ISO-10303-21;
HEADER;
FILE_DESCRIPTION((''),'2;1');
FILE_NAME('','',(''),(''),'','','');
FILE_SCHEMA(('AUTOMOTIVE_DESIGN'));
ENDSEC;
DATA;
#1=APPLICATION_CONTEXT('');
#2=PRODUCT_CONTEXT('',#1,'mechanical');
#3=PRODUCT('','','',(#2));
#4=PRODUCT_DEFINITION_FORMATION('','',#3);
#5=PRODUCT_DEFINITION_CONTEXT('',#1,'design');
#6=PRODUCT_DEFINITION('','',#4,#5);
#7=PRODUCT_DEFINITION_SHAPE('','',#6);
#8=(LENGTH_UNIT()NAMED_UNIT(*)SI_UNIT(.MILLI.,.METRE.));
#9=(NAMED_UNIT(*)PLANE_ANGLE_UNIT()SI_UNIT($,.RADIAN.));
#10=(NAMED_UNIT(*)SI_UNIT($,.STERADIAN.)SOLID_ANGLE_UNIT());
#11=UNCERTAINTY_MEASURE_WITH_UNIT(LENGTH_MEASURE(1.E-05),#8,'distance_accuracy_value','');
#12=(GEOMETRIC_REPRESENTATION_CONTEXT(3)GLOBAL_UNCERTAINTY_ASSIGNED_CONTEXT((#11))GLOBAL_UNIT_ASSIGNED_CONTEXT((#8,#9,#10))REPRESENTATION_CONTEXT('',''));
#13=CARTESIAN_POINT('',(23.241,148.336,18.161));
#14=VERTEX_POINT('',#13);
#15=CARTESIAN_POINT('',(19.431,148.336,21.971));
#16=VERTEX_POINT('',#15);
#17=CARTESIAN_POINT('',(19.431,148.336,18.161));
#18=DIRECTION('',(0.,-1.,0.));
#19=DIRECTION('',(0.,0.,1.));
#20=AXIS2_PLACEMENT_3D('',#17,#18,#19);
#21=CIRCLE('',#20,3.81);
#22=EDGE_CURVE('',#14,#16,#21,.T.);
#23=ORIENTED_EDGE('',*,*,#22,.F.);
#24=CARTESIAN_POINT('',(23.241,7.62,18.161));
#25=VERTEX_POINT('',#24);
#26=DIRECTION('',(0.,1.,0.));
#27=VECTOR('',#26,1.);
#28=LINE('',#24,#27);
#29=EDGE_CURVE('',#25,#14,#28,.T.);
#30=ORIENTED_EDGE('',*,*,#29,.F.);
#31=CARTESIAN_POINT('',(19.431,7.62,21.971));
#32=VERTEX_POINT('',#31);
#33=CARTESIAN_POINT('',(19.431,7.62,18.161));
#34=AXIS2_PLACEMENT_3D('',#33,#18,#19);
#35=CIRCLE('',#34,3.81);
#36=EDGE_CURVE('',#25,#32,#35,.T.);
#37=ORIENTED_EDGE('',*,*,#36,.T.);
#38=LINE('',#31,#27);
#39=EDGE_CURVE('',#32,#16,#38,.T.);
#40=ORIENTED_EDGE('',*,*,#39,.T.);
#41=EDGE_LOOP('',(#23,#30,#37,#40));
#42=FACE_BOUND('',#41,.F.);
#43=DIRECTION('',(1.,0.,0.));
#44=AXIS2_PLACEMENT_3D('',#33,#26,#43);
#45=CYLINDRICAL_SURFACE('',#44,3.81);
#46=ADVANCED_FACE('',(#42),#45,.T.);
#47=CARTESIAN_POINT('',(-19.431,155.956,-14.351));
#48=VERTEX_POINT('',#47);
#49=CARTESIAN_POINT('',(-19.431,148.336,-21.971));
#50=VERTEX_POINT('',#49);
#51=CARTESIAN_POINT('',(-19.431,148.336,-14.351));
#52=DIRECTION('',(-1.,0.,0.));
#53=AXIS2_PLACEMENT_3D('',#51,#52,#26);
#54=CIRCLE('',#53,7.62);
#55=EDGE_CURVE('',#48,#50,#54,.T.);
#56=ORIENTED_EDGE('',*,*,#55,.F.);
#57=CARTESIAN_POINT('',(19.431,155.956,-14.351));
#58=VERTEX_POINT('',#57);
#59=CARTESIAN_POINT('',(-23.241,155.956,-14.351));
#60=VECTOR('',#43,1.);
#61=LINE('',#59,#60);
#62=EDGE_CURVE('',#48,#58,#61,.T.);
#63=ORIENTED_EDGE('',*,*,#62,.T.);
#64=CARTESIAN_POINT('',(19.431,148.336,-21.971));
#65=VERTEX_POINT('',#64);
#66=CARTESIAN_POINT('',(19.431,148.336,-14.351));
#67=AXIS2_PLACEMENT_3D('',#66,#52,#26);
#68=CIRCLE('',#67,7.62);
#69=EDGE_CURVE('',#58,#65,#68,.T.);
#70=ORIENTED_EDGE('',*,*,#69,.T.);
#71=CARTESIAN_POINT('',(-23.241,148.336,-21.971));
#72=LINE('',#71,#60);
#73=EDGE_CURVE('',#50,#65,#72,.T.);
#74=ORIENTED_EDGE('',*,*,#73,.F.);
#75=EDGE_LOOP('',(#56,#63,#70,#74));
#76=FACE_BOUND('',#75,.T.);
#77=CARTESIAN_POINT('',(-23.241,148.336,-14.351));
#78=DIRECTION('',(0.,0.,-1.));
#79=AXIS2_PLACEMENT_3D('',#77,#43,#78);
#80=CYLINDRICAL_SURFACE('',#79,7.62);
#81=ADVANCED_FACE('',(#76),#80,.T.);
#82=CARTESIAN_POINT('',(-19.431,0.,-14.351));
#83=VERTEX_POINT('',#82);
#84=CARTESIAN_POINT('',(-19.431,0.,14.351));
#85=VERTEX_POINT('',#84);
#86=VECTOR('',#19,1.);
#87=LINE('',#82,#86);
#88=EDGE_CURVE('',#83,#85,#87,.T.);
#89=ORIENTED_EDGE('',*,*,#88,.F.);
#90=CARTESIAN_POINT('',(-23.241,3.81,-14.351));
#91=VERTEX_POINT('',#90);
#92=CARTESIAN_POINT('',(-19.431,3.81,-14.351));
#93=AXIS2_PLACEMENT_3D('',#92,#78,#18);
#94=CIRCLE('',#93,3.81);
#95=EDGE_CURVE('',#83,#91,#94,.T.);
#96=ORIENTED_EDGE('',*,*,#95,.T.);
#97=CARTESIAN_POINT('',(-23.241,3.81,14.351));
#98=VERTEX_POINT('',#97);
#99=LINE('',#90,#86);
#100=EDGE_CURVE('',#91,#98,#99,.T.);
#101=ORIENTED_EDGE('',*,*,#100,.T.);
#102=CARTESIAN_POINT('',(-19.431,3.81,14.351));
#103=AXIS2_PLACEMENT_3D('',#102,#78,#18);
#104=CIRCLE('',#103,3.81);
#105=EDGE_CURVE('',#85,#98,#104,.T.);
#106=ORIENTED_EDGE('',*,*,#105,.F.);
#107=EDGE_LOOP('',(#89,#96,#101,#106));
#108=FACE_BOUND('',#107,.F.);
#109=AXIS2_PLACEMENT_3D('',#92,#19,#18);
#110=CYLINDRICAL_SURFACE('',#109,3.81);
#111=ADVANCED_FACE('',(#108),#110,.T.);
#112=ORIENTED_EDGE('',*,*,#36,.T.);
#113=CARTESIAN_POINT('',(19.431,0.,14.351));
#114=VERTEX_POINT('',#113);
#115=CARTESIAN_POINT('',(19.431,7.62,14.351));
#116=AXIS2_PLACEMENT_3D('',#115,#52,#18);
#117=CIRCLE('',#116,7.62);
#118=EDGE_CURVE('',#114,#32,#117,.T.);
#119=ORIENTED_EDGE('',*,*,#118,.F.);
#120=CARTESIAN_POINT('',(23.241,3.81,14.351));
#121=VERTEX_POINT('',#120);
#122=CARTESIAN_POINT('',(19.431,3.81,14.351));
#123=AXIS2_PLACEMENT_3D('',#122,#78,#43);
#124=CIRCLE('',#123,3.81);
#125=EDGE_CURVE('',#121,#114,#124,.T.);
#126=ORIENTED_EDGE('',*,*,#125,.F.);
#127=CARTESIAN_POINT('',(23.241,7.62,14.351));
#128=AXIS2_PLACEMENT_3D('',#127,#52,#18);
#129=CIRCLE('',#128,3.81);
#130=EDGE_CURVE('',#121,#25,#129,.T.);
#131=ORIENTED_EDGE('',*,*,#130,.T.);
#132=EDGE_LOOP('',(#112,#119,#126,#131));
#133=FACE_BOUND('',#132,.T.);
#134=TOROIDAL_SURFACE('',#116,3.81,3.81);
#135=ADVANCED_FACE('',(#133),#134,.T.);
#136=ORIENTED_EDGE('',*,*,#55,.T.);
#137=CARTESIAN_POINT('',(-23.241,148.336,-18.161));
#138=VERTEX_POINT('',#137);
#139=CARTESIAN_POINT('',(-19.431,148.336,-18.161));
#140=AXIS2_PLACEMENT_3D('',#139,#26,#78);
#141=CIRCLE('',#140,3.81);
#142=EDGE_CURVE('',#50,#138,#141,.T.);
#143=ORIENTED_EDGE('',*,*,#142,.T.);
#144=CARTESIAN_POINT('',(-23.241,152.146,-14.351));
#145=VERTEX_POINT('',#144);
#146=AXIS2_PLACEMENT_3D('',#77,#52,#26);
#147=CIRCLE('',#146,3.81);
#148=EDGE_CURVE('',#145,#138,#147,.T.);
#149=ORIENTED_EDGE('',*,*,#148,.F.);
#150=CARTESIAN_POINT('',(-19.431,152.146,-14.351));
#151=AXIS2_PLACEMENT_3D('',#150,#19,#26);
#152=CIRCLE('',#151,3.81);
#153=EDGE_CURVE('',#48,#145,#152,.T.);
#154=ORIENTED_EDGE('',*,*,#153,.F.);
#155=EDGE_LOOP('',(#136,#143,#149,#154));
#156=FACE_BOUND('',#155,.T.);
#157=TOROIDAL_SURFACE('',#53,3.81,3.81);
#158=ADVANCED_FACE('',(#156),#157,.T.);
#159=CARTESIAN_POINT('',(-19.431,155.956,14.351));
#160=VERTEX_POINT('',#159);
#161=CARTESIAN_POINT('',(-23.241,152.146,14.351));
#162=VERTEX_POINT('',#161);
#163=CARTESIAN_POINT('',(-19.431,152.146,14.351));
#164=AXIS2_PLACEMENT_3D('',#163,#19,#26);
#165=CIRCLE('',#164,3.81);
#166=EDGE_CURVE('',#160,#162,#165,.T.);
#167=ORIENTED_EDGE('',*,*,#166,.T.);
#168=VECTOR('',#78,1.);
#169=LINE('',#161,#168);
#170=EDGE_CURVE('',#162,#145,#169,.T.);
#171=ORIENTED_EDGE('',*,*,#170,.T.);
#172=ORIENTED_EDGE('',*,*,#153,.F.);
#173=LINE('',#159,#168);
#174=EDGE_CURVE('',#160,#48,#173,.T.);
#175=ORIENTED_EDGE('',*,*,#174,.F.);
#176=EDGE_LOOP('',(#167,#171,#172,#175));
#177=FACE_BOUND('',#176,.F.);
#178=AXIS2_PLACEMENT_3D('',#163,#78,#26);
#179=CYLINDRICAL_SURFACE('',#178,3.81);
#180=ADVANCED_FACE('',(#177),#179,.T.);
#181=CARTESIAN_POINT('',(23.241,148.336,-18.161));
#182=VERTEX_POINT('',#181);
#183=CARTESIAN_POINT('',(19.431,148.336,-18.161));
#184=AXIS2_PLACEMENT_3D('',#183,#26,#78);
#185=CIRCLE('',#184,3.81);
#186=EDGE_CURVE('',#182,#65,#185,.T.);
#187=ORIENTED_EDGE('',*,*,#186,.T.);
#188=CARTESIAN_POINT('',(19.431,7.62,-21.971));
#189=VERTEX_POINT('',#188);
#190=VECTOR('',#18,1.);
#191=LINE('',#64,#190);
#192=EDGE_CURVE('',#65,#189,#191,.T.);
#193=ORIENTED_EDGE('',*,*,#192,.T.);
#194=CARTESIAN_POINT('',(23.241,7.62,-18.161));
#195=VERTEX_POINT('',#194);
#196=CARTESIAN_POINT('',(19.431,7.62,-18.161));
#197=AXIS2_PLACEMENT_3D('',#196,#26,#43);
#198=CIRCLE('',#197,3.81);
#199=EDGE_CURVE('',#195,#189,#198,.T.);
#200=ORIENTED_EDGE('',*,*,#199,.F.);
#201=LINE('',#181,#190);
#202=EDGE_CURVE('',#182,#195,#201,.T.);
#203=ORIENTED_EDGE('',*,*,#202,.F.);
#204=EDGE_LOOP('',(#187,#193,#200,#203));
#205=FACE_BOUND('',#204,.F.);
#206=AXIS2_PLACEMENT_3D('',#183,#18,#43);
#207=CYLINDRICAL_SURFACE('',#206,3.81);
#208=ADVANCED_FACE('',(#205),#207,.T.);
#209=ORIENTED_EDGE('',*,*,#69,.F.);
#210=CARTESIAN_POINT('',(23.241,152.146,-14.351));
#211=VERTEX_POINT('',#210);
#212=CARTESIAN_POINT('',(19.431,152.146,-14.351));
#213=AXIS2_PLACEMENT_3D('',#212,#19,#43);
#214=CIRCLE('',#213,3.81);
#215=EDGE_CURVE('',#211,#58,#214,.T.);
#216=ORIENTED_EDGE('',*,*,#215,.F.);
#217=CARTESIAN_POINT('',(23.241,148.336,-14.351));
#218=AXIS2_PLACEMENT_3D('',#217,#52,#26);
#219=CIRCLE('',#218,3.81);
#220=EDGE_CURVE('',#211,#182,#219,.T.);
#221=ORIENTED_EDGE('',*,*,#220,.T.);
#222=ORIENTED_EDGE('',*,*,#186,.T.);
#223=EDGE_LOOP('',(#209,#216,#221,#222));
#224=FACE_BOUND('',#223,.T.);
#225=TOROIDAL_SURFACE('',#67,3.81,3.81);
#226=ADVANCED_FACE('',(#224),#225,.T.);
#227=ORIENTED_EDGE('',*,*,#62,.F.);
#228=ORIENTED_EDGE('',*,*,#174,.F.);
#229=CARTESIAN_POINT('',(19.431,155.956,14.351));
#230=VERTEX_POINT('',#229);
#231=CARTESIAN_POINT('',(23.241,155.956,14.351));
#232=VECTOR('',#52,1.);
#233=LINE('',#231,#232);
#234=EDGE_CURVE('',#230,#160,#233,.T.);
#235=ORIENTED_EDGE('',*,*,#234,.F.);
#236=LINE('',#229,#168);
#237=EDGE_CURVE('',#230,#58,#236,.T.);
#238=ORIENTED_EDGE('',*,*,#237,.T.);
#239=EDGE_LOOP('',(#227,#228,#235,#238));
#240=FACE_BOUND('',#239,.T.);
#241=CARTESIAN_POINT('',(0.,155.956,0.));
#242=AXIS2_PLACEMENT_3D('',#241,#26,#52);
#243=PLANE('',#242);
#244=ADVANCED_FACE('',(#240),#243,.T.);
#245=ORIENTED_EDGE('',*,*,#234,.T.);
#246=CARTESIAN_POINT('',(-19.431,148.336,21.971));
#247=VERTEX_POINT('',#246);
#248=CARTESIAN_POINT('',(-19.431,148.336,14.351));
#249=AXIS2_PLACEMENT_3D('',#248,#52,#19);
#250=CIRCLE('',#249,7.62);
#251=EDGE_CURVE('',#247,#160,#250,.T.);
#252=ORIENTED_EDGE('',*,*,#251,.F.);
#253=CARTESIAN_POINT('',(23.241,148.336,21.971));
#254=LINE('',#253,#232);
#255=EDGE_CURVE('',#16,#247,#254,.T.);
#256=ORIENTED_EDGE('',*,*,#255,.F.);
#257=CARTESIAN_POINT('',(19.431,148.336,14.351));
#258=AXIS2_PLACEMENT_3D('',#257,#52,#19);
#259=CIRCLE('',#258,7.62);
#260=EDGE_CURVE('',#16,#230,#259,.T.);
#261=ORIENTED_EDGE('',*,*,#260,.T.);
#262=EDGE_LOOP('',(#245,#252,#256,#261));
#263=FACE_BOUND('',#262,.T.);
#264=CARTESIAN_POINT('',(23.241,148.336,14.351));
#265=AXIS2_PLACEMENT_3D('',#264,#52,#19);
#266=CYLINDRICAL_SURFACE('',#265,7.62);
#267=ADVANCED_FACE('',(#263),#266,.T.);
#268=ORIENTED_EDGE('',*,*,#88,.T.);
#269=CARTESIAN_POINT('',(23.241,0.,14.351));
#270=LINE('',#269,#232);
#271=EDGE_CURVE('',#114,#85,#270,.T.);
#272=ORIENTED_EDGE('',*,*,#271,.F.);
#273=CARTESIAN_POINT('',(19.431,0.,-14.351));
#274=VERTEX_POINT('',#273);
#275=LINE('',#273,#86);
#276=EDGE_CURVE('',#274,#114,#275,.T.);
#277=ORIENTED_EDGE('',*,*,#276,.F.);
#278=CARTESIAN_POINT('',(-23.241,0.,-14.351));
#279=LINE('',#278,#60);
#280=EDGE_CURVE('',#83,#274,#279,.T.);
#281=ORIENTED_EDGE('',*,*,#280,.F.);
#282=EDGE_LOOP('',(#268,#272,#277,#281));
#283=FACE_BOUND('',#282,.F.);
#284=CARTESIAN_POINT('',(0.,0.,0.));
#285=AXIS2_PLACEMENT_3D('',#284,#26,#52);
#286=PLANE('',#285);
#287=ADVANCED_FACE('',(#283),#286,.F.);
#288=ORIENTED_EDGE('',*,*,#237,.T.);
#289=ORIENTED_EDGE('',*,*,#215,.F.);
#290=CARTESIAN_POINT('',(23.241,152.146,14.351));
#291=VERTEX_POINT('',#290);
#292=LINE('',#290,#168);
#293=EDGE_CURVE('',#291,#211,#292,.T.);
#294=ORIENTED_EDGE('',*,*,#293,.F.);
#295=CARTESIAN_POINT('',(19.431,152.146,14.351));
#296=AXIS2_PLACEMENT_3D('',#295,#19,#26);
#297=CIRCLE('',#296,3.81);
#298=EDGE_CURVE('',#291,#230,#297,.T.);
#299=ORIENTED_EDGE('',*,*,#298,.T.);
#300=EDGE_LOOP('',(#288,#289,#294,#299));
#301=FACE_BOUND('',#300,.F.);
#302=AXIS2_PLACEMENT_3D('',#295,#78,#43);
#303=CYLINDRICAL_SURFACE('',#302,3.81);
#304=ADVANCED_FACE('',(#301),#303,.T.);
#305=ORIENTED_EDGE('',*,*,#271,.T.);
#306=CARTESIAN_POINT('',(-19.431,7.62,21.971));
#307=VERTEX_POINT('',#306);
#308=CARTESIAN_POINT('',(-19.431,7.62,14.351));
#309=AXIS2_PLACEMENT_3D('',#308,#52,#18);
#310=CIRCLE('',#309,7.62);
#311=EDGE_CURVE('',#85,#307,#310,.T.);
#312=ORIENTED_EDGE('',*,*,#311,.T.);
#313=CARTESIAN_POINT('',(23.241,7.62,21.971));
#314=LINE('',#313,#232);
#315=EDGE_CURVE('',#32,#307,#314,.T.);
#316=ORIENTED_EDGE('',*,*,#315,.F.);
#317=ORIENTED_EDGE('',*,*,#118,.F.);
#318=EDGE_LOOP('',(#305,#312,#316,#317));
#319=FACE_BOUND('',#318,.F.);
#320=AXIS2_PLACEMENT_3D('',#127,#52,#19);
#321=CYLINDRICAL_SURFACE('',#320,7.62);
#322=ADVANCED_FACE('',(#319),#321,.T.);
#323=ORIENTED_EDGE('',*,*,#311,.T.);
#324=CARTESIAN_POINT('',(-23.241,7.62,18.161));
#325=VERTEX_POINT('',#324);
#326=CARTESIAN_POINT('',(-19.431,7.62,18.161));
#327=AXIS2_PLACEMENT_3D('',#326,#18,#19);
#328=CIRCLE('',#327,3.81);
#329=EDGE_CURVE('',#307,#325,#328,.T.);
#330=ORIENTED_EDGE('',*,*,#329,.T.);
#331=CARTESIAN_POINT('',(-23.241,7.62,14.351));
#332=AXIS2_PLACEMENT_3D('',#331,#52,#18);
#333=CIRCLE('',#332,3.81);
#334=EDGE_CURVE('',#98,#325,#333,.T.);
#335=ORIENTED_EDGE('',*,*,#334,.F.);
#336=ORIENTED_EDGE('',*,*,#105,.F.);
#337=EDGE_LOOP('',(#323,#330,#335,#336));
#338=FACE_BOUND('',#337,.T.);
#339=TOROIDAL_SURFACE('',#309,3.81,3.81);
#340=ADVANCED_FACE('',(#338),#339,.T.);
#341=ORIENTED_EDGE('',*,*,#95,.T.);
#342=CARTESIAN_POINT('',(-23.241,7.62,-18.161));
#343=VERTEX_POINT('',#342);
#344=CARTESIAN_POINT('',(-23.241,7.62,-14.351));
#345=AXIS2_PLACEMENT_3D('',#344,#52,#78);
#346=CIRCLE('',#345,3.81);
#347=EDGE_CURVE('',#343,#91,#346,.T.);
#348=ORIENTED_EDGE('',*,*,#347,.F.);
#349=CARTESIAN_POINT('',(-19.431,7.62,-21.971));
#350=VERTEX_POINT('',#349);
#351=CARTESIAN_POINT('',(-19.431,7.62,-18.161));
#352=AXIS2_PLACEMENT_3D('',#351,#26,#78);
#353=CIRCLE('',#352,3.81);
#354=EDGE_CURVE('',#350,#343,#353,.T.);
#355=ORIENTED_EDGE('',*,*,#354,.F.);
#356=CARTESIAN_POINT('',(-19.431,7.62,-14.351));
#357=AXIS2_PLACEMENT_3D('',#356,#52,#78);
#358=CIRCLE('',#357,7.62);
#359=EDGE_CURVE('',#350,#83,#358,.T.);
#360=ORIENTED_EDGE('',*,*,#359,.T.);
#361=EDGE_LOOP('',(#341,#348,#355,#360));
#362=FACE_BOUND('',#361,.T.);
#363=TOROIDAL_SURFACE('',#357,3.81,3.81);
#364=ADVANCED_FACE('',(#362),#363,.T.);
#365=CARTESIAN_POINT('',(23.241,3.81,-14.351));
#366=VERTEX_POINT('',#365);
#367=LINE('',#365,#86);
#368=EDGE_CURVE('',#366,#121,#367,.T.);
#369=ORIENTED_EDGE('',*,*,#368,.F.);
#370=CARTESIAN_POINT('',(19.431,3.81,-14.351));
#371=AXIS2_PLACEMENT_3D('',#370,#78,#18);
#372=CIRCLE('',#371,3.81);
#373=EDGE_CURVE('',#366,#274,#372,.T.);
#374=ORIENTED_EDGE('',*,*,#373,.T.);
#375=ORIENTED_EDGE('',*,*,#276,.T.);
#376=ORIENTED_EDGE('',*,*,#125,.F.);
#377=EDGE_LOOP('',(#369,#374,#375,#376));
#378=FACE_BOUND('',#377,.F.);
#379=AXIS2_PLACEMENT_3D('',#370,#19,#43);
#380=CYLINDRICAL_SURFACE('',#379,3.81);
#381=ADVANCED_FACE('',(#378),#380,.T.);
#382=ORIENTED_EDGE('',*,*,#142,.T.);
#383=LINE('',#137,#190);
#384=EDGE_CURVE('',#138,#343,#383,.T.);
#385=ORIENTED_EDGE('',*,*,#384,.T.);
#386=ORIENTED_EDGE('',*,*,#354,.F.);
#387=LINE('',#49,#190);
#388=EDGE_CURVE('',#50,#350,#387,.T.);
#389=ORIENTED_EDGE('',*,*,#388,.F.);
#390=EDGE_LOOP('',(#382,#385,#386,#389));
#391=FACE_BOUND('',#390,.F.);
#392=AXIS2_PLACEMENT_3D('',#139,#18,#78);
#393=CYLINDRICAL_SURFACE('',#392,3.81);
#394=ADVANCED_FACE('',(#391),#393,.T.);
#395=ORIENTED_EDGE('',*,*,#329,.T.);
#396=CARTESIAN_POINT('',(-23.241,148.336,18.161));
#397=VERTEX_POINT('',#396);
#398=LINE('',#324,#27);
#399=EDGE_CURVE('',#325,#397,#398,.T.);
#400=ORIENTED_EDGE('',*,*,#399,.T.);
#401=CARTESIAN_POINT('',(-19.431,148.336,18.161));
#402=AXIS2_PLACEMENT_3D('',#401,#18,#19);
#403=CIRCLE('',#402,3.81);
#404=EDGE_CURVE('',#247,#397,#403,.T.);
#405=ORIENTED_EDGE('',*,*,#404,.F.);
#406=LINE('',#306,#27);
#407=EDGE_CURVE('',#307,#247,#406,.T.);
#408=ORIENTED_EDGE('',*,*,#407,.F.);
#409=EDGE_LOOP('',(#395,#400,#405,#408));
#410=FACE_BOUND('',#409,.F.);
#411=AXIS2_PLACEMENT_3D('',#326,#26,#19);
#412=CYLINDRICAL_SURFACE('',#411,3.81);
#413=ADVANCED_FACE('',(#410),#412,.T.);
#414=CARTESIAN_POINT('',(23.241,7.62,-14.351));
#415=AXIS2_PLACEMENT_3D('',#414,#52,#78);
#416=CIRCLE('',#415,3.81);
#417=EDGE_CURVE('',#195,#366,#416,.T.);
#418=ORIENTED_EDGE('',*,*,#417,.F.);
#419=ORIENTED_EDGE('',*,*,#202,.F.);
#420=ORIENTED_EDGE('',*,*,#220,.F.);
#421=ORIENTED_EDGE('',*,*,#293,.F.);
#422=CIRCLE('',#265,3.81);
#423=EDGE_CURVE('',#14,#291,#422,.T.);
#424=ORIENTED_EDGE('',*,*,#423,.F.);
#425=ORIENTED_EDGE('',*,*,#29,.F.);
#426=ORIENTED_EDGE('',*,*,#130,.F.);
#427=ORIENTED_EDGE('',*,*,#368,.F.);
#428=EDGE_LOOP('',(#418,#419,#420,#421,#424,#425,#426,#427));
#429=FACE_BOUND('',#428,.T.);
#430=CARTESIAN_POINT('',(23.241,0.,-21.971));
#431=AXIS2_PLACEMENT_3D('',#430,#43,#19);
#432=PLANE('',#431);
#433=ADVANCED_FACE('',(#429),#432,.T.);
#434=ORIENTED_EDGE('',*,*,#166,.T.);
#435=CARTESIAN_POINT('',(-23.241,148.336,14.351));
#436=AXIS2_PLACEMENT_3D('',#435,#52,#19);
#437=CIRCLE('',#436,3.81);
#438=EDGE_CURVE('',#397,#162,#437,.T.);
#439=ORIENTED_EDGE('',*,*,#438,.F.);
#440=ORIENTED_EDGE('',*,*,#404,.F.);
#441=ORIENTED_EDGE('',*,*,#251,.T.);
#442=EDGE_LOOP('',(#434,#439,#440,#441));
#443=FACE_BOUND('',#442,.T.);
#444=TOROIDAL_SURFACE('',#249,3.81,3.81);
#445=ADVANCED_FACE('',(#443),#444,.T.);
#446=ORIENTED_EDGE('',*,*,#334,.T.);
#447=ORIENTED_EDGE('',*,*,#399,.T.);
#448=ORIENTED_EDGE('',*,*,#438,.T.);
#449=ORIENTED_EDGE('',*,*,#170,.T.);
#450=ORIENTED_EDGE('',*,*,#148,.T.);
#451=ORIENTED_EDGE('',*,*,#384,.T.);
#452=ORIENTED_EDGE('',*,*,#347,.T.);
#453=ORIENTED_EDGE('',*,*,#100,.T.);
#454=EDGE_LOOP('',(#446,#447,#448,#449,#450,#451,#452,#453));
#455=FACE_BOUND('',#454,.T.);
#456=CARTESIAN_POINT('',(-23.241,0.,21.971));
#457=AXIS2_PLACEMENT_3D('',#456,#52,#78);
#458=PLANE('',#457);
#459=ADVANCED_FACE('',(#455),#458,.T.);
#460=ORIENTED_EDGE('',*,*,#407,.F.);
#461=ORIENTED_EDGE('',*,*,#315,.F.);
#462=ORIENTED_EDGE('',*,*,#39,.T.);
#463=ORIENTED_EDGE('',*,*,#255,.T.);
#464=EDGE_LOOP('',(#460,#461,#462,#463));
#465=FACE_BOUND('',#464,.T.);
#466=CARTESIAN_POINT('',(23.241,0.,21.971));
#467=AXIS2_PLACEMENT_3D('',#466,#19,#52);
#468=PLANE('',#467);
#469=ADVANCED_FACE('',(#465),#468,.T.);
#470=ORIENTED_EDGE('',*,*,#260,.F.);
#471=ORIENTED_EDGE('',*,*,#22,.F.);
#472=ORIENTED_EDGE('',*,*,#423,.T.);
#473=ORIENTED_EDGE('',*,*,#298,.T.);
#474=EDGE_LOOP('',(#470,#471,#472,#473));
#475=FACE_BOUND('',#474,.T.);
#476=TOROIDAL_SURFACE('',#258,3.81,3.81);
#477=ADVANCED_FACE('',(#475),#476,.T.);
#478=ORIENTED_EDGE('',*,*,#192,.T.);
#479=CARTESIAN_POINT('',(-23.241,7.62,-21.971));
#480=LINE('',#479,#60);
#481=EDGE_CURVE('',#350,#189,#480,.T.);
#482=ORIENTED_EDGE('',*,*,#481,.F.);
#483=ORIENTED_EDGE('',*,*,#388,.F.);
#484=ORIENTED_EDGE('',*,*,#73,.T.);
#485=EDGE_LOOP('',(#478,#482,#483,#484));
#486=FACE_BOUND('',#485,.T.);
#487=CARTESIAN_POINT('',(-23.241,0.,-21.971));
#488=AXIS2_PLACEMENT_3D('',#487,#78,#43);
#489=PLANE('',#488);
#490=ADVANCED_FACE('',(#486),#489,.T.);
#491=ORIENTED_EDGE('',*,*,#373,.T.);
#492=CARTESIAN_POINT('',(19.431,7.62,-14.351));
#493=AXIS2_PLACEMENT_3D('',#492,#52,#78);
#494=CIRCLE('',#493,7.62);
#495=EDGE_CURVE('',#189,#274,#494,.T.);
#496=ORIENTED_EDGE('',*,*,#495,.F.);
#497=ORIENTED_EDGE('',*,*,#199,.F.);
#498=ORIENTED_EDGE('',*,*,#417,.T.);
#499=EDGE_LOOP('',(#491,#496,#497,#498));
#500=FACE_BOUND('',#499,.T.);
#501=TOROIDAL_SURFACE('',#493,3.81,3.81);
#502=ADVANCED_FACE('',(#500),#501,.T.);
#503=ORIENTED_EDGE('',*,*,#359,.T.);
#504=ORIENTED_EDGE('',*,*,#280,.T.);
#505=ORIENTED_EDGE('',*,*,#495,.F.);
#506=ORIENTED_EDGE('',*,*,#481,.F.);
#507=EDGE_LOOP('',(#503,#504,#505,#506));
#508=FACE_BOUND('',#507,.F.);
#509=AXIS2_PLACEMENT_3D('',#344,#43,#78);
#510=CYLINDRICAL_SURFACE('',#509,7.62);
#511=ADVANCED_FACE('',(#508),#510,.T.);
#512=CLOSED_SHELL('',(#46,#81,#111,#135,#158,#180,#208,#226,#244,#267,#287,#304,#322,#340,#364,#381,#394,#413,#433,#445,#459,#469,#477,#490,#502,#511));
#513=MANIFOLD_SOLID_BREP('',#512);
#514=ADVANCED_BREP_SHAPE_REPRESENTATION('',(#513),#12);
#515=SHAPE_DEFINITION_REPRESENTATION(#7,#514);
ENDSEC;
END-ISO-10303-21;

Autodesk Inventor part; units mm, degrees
ref_plane "YZ Plane" through (0, 0, 0) normal (1, 0, 0) x (0, 1, 0)
sketch "Sketch1" plane through (0, 0, 0) normal (0, 1, 0) x (-1, 0, 0)
  line L0 (-23.241, 21.971) -> (23.241, 21.971)
  line L1 (23.241, 21.971) -> (23.241, -21.971)
  line L2 (23.241, -21.971) -> (-23.241, -21.971)
  line L3 (-23.241, -21.971) -> (-23.241, 21.971)
  line L4 (-23.241, 21.971) -> (23.241, -21.971) construction
  line L5 (23.241, 21.971) -> (-23.241, -21.971) construction
  point P0 (0, 0)
  dimension "d0" = 46.482
  dimension "d1" = 43.942
extrude "Extrusion1" add sketch "Sketch1" along normal blind 155.956
fillet "Fillet1" radius 7.62 4 edges at (0, 155.956, -21.971) (0, 155.956, 21.971) (0, 0, -21.971) (0, 0, 21.971)
fillet "Fillet2" radius 3.81 16 edges at (23.241, 153.7242, 19.7392) (23.241, 155.956, 0) (23.241, 153.7242, -19.7392) (23.241, 77.978, -21.971) (23.241, 2.2318, -19.7392) (23.241, 0, 0) (23.241, 2.2318, 19.7392) (23.241, 77.978, 21.971) (-23.241, 153.7242, 19.7392) (-23.241, 155.956, 0) (-23.241, 153.7242, -19.7392) (-23.241, 77.978, -21.971) (-23.241, 2.2318, -19.7392) (-23.241, 0, 0) (-23.241, 2.2318, 19.7392) (-23.241, 77.978, 21.971)
ref_plane "Work Plane1" through (-19.431, 7.62, 0) normal (0, 0, 1) x (1, 0, 0)
ref_plane "Work Plane2" through (0, 7.62, -18.161) normal (-1, 0, 0) x (0, 0, 1)
properties part number "OVONIC 6S LiPo Battery" material "PAEK Plastic"
